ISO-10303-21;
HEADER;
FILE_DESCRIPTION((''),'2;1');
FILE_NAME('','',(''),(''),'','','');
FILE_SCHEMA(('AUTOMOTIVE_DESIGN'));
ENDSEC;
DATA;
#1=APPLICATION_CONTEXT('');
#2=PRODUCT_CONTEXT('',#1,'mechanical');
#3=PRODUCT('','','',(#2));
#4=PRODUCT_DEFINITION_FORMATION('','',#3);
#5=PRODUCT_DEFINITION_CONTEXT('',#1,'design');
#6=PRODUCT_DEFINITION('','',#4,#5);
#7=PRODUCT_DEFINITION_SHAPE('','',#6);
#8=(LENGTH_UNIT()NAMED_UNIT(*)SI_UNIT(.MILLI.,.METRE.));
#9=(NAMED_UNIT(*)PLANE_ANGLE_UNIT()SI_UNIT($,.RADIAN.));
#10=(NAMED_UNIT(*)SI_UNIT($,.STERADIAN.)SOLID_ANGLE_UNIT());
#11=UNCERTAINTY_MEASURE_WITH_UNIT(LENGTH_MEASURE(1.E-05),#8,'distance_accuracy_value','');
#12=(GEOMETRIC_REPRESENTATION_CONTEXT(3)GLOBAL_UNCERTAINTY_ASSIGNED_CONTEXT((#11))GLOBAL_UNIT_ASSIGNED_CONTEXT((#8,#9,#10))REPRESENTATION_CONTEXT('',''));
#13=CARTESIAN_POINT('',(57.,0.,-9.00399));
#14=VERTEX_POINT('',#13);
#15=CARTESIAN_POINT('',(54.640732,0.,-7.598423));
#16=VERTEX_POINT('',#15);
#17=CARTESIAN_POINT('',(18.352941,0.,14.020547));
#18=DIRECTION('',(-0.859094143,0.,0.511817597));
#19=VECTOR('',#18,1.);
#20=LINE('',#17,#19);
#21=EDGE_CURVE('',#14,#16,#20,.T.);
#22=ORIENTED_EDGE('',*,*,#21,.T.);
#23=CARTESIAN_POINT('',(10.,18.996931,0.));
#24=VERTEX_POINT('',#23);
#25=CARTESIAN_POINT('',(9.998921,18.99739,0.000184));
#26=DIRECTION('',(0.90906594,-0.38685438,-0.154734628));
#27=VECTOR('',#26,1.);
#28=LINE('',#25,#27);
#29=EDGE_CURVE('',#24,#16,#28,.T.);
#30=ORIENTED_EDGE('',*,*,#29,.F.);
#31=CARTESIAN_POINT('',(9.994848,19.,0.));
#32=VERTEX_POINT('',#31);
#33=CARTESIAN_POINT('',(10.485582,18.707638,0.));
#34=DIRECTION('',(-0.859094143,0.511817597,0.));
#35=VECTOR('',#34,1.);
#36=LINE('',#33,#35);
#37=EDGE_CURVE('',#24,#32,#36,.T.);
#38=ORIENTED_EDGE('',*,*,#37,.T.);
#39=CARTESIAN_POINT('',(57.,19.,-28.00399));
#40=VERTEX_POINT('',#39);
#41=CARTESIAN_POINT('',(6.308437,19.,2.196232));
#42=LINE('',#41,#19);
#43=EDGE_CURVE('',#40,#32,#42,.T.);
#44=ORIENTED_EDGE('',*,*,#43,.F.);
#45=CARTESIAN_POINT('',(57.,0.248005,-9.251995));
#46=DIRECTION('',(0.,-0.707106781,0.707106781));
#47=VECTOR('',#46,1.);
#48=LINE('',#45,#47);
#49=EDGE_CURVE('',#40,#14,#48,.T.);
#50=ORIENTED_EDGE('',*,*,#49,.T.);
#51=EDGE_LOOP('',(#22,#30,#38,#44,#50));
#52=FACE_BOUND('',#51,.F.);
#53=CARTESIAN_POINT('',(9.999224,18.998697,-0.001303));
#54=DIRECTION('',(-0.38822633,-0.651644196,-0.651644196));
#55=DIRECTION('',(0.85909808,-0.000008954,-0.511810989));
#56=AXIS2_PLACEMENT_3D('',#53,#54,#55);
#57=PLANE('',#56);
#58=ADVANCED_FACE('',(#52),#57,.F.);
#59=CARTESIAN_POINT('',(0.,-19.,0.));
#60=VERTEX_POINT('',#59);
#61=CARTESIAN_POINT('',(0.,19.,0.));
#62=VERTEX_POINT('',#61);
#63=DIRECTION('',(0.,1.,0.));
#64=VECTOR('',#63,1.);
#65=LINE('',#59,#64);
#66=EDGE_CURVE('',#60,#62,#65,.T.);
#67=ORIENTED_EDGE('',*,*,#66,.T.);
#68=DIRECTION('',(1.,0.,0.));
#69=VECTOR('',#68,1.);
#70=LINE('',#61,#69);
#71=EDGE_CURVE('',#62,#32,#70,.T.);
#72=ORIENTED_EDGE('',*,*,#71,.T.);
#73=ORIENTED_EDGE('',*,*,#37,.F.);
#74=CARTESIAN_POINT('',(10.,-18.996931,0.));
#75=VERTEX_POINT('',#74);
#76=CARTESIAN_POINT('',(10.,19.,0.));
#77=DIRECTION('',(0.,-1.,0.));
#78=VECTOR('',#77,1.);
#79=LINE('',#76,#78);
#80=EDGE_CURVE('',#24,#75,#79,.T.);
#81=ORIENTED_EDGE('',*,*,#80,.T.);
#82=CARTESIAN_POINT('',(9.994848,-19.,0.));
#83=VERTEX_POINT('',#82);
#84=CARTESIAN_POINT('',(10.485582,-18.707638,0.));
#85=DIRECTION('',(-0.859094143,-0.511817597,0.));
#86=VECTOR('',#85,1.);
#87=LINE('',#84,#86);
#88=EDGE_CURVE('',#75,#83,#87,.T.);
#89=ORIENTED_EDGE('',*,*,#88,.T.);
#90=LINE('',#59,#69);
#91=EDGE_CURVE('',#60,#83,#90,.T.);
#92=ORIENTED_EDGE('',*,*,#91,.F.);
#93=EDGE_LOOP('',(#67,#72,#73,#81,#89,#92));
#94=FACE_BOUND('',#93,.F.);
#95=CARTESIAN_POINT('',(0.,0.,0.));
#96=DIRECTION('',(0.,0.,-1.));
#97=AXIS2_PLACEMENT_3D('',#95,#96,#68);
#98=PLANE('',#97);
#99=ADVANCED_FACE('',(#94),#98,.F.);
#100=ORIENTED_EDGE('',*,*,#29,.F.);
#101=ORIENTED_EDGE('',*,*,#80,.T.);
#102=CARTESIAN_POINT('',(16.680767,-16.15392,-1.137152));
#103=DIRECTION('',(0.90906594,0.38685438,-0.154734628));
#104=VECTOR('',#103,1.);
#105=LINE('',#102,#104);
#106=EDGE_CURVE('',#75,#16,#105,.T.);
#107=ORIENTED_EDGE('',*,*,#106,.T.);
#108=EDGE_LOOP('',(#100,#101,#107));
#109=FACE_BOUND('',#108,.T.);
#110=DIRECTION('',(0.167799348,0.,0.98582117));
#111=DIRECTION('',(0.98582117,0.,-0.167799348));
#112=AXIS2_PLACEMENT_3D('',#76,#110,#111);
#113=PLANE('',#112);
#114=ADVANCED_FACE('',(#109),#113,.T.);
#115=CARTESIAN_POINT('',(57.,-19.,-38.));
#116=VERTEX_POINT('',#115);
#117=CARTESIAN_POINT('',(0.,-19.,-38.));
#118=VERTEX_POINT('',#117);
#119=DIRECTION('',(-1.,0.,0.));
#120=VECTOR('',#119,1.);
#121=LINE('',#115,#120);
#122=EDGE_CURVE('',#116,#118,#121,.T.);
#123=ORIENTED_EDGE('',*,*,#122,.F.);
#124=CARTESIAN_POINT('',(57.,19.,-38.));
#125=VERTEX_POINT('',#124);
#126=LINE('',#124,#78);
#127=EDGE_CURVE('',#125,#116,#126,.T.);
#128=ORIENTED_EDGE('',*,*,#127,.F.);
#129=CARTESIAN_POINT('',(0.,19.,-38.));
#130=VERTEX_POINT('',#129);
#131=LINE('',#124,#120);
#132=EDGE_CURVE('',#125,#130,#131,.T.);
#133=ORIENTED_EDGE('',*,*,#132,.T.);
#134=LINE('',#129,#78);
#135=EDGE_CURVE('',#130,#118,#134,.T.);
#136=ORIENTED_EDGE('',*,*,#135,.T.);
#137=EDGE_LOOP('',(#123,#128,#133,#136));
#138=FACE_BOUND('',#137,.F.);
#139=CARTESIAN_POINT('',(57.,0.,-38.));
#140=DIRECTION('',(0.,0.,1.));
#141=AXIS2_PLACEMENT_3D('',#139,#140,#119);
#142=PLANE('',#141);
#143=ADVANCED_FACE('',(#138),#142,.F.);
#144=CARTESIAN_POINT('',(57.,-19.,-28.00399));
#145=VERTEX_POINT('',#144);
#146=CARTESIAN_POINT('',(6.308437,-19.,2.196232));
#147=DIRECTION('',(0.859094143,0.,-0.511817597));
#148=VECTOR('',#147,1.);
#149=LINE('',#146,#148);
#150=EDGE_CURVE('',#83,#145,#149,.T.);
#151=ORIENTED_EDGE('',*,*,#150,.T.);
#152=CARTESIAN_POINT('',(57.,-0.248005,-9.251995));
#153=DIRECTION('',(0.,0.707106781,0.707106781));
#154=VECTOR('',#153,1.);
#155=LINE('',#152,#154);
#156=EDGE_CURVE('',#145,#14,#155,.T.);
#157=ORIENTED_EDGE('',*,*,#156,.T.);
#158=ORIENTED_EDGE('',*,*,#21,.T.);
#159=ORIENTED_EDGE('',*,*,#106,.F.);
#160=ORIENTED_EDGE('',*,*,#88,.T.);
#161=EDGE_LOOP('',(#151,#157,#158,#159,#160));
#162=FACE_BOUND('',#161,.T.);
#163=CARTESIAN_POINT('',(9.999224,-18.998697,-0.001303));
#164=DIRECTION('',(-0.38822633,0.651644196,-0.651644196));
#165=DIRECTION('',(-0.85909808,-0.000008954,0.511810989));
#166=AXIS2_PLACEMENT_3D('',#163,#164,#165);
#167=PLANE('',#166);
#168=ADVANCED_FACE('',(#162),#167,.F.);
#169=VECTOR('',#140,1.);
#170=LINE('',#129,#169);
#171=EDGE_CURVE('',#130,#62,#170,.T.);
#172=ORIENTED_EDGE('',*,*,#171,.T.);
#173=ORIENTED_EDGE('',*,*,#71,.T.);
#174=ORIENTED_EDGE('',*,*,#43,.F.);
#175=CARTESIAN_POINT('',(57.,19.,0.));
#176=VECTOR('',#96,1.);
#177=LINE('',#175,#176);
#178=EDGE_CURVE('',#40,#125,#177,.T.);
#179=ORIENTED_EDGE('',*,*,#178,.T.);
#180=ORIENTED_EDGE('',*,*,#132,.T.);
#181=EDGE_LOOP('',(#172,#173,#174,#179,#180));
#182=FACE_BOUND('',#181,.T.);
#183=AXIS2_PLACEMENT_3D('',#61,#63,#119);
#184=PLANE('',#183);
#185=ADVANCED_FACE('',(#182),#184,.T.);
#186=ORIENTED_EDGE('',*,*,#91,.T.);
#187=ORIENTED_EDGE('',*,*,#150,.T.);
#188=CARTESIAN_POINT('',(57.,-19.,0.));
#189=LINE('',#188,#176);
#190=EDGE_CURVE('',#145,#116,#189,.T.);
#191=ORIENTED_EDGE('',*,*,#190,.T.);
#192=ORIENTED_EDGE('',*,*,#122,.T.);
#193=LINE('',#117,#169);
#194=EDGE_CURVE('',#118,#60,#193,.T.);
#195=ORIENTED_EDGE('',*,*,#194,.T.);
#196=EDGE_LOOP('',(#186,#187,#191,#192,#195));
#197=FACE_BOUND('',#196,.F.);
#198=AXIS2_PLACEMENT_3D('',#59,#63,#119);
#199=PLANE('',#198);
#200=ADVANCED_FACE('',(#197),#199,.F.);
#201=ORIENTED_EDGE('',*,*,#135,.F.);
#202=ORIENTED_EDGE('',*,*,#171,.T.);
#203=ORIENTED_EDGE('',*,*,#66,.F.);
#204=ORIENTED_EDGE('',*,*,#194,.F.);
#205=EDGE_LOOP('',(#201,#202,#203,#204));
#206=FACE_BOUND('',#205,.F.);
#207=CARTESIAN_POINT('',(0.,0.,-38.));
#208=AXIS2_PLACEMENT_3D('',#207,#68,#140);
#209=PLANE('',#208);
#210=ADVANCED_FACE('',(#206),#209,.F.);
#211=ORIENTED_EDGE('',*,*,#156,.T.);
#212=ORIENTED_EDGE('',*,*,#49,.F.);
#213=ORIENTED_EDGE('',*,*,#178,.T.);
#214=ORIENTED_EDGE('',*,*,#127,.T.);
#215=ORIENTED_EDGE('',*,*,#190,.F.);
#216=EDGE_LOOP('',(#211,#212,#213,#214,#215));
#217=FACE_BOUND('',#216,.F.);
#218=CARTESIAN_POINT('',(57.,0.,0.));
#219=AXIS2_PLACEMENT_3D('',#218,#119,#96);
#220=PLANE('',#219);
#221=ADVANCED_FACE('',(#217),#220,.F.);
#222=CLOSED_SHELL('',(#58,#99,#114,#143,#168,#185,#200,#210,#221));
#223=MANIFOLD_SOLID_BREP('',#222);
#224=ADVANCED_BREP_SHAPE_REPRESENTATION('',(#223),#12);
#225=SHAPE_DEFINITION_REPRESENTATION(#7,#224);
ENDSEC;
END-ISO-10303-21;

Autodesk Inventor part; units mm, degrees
ref_plane "YZ Plane" through (0, 0, 0) normal (1, 0, 0) x (0, 1, 0)
ref_plane "XZ Plane" through (0, 0, 0) normal (0, 1, 0) x (-1, 0, 0)
sketch "草圖1" plane through (0, 0, 0) normal (0, 1, 0) x (-1, 0, 0)
  line L0 (0, 0) -> (-57, 0)
  line L1 (-57, 0) -> (-57, -38)
  line L2 (-57, -38) -> (0, -38)
  line L3 (0, -38) -> (0, 0)
  dimension "d0" = 57
  dimension "d1" = 38
extrude "擠出1" add sketch "草圖1" along normal mid plane 38
sketch "草圖2" plane through (0, 19, 0) normal (0, 1, 0) x (1, 0, 0)
  line L0 (0, 0) -> (57, 0) projected
  line L1 (10, 0) -> (57, 8)
  line L2 (57, 0) -> (57, 38) projected
  dimension "d4" = 10
  dimension "d5" = 30
extrude "擠出2" cut sketch "草圖2" against normal blind 40
sketch "草圖3" plane through (57, -19, -38) normal (1, 0, 0) x (0, 0, -1)
  line L0 (-30, 18) -> (-10, 38)
  line L1 (0, 38) -> (-38, 38) projected
  line L2 (-30, 38) -> (-30, 0) projected
  point P0 (-38, 19)
  dimension "d8" = 20
  dimension "d9" = 20
ref_plane "工作平面1" through (10, 19, 0) normal (-0.3882, -0.6516, -0.6516) x (0.8591, 0, -0.5118)
sketch "草圖4" plane through (10, 19, 0) normal (-0.3882, -0.6516, -0.6516) x (0.8591, 0, -0.5118)
  line L0 (-15.1543, -12.3218) -> (93.717, -12.3218)
  line L1 (93.717, -12.3218) -> (93.717, 28.8166)
  line L2 (93.717, 28.8166) -> (-15.1543, 28.8166)
  line L3 (-15.1543, 28.8166) -> (-15.1543, -12.3218)
  point P0 (-8.591, 11.0768)
extrude "擠出3" cut sketch "草圖4" against normal blind 40
mirror "鏡射1" about plane through (0, 0, 0) normal (0, 1, 0) of "擠出3"
properties part number "27"
